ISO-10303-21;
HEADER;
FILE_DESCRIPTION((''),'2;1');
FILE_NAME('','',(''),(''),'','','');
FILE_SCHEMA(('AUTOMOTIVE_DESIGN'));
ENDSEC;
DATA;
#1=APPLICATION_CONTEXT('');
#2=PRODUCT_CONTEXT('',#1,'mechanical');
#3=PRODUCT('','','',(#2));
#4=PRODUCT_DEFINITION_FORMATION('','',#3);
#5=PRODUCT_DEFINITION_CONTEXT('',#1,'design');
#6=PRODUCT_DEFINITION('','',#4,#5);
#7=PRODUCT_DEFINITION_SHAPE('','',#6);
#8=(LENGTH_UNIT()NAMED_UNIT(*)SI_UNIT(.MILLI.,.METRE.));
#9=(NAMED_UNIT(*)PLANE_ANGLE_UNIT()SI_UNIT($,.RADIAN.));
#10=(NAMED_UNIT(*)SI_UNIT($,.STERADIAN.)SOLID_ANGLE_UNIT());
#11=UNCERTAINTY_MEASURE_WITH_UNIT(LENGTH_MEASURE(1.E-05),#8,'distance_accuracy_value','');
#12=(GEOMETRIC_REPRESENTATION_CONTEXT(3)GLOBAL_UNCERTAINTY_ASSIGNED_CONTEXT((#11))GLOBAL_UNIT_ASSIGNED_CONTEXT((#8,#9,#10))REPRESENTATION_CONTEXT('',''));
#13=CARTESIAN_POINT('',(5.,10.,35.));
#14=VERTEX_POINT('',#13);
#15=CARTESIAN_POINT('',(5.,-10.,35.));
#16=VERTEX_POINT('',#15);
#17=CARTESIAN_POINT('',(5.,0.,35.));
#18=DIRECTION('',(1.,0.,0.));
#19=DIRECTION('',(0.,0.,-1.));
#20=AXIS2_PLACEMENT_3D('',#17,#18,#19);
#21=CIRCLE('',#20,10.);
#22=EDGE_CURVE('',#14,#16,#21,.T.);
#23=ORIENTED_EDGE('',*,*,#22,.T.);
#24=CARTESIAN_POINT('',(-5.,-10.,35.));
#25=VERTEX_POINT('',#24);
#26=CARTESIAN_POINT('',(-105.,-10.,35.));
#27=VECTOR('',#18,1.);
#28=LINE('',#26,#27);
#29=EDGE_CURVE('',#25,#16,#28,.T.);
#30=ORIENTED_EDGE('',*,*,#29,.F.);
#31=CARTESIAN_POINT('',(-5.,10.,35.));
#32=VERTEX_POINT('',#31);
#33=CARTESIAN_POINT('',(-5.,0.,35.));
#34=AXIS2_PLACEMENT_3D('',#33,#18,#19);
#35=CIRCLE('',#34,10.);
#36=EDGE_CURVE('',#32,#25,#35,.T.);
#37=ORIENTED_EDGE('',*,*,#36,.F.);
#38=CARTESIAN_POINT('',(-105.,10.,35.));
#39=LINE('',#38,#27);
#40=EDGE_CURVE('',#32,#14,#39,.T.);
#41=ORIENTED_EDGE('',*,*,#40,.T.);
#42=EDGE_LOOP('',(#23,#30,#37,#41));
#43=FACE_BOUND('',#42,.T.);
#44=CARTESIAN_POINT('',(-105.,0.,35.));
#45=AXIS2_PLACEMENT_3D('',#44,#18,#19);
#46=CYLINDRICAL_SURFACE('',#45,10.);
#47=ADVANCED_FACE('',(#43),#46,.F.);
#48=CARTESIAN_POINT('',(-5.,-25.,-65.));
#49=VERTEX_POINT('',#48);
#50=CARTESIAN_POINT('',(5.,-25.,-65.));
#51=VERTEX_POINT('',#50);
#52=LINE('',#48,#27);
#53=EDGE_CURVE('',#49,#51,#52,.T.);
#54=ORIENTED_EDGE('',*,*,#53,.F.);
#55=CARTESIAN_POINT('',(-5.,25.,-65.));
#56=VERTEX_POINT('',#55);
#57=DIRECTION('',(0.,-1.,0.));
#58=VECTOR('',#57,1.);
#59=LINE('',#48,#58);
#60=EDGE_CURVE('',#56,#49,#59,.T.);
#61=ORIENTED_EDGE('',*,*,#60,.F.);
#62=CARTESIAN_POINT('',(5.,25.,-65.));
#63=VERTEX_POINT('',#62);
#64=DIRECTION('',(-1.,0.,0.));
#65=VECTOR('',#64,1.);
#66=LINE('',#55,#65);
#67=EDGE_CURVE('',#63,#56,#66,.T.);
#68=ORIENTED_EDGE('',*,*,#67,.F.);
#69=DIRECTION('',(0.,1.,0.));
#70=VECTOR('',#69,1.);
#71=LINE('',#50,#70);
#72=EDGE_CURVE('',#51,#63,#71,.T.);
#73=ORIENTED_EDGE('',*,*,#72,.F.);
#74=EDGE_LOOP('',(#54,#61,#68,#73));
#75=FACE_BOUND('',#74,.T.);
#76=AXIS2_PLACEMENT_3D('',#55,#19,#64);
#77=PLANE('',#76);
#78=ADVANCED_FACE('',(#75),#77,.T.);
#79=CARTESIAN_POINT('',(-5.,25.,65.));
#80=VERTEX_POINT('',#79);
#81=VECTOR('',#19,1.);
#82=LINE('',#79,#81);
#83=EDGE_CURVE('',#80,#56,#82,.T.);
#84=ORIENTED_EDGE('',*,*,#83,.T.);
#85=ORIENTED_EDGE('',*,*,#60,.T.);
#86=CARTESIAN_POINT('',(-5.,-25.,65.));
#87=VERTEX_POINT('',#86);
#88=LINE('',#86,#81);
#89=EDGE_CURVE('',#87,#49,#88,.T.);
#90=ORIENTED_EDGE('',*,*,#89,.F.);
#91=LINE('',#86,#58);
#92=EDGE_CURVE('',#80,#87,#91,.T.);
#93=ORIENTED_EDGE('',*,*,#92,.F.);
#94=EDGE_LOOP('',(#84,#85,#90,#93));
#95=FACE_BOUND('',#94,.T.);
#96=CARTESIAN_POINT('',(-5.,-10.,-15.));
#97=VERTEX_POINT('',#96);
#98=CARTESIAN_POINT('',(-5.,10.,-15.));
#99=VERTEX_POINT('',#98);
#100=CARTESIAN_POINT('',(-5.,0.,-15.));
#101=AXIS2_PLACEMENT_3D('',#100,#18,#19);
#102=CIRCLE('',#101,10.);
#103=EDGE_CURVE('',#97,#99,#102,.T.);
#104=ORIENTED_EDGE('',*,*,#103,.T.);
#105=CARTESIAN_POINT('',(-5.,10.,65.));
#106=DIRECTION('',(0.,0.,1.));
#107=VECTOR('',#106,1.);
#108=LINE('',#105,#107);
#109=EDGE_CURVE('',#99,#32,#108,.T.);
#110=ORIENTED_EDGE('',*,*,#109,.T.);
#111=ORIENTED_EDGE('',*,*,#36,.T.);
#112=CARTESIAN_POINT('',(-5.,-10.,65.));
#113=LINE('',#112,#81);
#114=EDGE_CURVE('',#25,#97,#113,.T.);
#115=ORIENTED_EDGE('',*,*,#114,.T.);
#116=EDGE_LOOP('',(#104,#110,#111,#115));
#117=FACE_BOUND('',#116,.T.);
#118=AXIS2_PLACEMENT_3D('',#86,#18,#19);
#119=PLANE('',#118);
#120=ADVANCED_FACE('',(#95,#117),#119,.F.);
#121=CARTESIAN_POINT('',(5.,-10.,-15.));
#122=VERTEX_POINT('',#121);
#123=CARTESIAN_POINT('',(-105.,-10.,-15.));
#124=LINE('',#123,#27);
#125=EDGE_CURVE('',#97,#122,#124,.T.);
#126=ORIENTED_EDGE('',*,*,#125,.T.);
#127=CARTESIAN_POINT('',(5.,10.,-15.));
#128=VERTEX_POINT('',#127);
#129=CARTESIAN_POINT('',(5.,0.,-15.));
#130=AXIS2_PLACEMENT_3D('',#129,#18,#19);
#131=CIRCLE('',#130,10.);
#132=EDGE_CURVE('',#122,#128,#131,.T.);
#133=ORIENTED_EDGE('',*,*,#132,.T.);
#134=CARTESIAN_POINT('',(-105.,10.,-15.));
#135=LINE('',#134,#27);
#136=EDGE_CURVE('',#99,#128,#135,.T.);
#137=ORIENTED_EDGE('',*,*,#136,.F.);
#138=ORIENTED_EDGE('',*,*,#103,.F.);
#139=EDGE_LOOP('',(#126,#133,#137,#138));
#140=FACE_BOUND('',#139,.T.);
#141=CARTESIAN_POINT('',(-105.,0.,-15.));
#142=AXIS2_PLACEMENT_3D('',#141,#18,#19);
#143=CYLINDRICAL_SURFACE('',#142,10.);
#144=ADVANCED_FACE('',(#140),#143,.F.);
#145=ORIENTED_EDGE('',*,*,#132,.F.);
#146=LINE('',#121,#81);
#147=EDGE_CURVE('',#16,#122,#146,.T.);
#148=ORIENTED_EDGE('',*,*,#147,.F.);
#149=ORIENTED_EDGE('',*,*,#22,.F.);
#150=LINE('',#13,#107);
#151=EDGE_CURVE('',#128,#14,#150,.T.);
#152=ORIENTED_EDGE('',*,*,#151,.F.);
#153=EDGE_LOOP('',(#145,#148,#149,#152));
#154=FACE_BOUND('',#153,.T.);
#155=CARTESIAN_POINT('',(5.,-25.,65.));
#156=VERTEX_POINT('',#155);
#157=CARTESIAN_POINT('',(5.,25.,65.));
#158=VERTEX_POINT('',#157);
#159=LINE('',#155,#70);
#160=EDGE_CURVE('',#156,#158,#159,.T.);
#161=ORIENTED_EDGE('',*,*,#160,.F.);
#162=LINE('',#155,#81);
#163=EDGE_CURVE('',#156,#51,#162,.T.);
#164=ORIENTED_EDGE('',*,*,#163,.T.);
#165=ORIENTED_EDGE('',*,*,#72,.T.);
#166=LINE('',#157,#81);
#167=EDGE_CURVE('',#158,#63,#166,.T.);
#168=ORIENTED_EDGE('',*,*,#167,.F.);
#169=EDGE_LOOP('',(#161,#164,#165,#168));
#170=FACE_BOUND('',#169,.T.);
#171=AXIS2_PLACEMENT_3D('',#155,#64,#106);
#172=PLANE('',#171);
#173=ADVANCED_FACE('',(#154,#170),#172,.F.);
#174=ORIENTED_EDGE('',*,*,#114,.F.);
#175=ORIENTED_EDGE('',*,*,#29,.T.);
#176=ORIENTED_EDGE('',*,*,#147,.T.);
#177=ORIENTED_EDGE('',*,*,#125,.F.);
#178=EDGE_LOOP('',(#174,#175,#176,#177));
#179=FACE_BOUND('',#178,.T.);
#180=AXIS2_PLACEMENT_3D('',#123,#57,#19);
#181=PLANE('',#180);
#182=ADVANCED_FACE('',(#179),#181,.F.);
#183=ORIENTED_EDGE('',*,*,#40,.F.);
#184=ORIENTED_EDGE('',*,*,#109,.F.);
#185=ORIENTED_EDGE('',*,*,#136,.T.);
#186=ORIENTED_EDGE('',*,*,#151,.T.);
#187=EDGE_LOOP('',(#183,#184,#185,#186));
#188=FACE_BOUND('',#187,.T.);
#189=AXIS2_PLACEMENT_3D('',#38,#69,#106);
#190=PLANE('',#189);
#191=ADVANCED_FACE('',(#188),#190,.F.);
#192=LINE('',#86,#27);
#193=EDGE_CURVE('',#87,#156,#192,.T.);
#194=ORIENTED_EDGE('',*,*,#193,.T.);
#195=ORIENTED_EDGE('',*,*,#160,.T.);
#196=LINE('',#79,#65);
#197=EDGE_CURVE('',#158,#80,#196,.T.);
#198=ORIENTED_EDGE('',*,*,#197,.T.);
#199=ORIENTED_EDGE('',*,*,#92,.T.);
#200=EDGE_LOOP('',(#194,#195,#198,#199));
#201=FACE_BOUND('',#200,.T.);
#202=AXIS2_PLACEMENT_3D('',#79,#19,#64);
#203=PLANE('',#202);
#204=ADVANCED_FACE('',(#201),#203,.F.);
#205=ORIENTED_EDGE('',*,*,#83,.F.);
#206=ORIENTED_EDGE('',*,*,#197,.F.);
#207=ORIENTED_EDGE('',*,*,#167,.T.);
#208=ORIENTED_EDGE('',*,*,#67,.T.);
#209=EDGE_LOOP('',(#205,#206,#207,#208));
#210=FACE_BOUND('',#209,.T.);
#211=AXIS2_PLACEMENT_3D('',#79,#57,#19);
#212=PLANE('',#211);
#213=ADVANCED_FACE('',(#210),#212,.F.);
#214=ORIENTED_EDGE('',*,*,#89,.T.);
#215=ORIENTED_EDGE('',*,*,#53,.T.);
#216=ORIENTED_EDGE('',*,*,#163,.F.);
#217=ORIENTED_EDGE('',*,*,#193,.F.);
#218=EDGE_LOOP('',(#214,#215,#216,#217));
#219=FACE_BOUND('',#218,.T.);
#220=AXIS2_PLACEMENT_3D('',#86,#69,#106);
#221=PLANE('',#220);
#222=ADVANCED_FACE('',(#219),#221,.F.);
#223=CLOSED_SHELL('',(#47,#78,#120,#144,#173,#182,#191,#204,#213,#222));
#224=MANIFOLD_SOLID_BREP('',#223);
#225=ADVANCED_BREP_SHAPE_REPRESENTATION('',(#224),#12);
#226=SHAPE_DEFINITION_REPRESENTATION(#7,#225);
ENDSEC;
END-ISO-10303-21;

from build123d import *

# Parameters (mm, degrees)
ESQUISSE1_W             = 10
ESQUISSE1_H             = 50
BOSS_EXTRU_1_DEPTH      = 65
ENL_V_MAT_EXTRU_1_DEPTH = 110


with BuildPart() as part:
    # Esquisse1 → Boss.-Extru.1 (new body, symmetric)
    with BuildSketch(Plane.XY):
        Rectangle(ESQUISSE1_W, ESQUISSE1_H)
    extrude(amount=BOSS_EXTRU_1_DEPTH, both=True)

    # Esquisse2 → Enlèv. mat.-Extru.1 (cut)
    with BuildSketch(Plane(origin=(5, 0, 0), x_dir=(0, 0, -1), z_dir=(1, 0, 0))):
        with BuildLine():
            Line((-35, 10), (15, 10))
            ThreePointArc((15, 10), (25, 0), (15, -10))
            Line((15, -10), (-35, -10))
            ThreePointArc((-35, -10), (-45, 0), (-35, 10))
        make_face()
    extrude(amount=-ENL_V_MAT_EXTRU_1_DEPTH, mode=Mode.SUBTRACT)


solid = part.part
